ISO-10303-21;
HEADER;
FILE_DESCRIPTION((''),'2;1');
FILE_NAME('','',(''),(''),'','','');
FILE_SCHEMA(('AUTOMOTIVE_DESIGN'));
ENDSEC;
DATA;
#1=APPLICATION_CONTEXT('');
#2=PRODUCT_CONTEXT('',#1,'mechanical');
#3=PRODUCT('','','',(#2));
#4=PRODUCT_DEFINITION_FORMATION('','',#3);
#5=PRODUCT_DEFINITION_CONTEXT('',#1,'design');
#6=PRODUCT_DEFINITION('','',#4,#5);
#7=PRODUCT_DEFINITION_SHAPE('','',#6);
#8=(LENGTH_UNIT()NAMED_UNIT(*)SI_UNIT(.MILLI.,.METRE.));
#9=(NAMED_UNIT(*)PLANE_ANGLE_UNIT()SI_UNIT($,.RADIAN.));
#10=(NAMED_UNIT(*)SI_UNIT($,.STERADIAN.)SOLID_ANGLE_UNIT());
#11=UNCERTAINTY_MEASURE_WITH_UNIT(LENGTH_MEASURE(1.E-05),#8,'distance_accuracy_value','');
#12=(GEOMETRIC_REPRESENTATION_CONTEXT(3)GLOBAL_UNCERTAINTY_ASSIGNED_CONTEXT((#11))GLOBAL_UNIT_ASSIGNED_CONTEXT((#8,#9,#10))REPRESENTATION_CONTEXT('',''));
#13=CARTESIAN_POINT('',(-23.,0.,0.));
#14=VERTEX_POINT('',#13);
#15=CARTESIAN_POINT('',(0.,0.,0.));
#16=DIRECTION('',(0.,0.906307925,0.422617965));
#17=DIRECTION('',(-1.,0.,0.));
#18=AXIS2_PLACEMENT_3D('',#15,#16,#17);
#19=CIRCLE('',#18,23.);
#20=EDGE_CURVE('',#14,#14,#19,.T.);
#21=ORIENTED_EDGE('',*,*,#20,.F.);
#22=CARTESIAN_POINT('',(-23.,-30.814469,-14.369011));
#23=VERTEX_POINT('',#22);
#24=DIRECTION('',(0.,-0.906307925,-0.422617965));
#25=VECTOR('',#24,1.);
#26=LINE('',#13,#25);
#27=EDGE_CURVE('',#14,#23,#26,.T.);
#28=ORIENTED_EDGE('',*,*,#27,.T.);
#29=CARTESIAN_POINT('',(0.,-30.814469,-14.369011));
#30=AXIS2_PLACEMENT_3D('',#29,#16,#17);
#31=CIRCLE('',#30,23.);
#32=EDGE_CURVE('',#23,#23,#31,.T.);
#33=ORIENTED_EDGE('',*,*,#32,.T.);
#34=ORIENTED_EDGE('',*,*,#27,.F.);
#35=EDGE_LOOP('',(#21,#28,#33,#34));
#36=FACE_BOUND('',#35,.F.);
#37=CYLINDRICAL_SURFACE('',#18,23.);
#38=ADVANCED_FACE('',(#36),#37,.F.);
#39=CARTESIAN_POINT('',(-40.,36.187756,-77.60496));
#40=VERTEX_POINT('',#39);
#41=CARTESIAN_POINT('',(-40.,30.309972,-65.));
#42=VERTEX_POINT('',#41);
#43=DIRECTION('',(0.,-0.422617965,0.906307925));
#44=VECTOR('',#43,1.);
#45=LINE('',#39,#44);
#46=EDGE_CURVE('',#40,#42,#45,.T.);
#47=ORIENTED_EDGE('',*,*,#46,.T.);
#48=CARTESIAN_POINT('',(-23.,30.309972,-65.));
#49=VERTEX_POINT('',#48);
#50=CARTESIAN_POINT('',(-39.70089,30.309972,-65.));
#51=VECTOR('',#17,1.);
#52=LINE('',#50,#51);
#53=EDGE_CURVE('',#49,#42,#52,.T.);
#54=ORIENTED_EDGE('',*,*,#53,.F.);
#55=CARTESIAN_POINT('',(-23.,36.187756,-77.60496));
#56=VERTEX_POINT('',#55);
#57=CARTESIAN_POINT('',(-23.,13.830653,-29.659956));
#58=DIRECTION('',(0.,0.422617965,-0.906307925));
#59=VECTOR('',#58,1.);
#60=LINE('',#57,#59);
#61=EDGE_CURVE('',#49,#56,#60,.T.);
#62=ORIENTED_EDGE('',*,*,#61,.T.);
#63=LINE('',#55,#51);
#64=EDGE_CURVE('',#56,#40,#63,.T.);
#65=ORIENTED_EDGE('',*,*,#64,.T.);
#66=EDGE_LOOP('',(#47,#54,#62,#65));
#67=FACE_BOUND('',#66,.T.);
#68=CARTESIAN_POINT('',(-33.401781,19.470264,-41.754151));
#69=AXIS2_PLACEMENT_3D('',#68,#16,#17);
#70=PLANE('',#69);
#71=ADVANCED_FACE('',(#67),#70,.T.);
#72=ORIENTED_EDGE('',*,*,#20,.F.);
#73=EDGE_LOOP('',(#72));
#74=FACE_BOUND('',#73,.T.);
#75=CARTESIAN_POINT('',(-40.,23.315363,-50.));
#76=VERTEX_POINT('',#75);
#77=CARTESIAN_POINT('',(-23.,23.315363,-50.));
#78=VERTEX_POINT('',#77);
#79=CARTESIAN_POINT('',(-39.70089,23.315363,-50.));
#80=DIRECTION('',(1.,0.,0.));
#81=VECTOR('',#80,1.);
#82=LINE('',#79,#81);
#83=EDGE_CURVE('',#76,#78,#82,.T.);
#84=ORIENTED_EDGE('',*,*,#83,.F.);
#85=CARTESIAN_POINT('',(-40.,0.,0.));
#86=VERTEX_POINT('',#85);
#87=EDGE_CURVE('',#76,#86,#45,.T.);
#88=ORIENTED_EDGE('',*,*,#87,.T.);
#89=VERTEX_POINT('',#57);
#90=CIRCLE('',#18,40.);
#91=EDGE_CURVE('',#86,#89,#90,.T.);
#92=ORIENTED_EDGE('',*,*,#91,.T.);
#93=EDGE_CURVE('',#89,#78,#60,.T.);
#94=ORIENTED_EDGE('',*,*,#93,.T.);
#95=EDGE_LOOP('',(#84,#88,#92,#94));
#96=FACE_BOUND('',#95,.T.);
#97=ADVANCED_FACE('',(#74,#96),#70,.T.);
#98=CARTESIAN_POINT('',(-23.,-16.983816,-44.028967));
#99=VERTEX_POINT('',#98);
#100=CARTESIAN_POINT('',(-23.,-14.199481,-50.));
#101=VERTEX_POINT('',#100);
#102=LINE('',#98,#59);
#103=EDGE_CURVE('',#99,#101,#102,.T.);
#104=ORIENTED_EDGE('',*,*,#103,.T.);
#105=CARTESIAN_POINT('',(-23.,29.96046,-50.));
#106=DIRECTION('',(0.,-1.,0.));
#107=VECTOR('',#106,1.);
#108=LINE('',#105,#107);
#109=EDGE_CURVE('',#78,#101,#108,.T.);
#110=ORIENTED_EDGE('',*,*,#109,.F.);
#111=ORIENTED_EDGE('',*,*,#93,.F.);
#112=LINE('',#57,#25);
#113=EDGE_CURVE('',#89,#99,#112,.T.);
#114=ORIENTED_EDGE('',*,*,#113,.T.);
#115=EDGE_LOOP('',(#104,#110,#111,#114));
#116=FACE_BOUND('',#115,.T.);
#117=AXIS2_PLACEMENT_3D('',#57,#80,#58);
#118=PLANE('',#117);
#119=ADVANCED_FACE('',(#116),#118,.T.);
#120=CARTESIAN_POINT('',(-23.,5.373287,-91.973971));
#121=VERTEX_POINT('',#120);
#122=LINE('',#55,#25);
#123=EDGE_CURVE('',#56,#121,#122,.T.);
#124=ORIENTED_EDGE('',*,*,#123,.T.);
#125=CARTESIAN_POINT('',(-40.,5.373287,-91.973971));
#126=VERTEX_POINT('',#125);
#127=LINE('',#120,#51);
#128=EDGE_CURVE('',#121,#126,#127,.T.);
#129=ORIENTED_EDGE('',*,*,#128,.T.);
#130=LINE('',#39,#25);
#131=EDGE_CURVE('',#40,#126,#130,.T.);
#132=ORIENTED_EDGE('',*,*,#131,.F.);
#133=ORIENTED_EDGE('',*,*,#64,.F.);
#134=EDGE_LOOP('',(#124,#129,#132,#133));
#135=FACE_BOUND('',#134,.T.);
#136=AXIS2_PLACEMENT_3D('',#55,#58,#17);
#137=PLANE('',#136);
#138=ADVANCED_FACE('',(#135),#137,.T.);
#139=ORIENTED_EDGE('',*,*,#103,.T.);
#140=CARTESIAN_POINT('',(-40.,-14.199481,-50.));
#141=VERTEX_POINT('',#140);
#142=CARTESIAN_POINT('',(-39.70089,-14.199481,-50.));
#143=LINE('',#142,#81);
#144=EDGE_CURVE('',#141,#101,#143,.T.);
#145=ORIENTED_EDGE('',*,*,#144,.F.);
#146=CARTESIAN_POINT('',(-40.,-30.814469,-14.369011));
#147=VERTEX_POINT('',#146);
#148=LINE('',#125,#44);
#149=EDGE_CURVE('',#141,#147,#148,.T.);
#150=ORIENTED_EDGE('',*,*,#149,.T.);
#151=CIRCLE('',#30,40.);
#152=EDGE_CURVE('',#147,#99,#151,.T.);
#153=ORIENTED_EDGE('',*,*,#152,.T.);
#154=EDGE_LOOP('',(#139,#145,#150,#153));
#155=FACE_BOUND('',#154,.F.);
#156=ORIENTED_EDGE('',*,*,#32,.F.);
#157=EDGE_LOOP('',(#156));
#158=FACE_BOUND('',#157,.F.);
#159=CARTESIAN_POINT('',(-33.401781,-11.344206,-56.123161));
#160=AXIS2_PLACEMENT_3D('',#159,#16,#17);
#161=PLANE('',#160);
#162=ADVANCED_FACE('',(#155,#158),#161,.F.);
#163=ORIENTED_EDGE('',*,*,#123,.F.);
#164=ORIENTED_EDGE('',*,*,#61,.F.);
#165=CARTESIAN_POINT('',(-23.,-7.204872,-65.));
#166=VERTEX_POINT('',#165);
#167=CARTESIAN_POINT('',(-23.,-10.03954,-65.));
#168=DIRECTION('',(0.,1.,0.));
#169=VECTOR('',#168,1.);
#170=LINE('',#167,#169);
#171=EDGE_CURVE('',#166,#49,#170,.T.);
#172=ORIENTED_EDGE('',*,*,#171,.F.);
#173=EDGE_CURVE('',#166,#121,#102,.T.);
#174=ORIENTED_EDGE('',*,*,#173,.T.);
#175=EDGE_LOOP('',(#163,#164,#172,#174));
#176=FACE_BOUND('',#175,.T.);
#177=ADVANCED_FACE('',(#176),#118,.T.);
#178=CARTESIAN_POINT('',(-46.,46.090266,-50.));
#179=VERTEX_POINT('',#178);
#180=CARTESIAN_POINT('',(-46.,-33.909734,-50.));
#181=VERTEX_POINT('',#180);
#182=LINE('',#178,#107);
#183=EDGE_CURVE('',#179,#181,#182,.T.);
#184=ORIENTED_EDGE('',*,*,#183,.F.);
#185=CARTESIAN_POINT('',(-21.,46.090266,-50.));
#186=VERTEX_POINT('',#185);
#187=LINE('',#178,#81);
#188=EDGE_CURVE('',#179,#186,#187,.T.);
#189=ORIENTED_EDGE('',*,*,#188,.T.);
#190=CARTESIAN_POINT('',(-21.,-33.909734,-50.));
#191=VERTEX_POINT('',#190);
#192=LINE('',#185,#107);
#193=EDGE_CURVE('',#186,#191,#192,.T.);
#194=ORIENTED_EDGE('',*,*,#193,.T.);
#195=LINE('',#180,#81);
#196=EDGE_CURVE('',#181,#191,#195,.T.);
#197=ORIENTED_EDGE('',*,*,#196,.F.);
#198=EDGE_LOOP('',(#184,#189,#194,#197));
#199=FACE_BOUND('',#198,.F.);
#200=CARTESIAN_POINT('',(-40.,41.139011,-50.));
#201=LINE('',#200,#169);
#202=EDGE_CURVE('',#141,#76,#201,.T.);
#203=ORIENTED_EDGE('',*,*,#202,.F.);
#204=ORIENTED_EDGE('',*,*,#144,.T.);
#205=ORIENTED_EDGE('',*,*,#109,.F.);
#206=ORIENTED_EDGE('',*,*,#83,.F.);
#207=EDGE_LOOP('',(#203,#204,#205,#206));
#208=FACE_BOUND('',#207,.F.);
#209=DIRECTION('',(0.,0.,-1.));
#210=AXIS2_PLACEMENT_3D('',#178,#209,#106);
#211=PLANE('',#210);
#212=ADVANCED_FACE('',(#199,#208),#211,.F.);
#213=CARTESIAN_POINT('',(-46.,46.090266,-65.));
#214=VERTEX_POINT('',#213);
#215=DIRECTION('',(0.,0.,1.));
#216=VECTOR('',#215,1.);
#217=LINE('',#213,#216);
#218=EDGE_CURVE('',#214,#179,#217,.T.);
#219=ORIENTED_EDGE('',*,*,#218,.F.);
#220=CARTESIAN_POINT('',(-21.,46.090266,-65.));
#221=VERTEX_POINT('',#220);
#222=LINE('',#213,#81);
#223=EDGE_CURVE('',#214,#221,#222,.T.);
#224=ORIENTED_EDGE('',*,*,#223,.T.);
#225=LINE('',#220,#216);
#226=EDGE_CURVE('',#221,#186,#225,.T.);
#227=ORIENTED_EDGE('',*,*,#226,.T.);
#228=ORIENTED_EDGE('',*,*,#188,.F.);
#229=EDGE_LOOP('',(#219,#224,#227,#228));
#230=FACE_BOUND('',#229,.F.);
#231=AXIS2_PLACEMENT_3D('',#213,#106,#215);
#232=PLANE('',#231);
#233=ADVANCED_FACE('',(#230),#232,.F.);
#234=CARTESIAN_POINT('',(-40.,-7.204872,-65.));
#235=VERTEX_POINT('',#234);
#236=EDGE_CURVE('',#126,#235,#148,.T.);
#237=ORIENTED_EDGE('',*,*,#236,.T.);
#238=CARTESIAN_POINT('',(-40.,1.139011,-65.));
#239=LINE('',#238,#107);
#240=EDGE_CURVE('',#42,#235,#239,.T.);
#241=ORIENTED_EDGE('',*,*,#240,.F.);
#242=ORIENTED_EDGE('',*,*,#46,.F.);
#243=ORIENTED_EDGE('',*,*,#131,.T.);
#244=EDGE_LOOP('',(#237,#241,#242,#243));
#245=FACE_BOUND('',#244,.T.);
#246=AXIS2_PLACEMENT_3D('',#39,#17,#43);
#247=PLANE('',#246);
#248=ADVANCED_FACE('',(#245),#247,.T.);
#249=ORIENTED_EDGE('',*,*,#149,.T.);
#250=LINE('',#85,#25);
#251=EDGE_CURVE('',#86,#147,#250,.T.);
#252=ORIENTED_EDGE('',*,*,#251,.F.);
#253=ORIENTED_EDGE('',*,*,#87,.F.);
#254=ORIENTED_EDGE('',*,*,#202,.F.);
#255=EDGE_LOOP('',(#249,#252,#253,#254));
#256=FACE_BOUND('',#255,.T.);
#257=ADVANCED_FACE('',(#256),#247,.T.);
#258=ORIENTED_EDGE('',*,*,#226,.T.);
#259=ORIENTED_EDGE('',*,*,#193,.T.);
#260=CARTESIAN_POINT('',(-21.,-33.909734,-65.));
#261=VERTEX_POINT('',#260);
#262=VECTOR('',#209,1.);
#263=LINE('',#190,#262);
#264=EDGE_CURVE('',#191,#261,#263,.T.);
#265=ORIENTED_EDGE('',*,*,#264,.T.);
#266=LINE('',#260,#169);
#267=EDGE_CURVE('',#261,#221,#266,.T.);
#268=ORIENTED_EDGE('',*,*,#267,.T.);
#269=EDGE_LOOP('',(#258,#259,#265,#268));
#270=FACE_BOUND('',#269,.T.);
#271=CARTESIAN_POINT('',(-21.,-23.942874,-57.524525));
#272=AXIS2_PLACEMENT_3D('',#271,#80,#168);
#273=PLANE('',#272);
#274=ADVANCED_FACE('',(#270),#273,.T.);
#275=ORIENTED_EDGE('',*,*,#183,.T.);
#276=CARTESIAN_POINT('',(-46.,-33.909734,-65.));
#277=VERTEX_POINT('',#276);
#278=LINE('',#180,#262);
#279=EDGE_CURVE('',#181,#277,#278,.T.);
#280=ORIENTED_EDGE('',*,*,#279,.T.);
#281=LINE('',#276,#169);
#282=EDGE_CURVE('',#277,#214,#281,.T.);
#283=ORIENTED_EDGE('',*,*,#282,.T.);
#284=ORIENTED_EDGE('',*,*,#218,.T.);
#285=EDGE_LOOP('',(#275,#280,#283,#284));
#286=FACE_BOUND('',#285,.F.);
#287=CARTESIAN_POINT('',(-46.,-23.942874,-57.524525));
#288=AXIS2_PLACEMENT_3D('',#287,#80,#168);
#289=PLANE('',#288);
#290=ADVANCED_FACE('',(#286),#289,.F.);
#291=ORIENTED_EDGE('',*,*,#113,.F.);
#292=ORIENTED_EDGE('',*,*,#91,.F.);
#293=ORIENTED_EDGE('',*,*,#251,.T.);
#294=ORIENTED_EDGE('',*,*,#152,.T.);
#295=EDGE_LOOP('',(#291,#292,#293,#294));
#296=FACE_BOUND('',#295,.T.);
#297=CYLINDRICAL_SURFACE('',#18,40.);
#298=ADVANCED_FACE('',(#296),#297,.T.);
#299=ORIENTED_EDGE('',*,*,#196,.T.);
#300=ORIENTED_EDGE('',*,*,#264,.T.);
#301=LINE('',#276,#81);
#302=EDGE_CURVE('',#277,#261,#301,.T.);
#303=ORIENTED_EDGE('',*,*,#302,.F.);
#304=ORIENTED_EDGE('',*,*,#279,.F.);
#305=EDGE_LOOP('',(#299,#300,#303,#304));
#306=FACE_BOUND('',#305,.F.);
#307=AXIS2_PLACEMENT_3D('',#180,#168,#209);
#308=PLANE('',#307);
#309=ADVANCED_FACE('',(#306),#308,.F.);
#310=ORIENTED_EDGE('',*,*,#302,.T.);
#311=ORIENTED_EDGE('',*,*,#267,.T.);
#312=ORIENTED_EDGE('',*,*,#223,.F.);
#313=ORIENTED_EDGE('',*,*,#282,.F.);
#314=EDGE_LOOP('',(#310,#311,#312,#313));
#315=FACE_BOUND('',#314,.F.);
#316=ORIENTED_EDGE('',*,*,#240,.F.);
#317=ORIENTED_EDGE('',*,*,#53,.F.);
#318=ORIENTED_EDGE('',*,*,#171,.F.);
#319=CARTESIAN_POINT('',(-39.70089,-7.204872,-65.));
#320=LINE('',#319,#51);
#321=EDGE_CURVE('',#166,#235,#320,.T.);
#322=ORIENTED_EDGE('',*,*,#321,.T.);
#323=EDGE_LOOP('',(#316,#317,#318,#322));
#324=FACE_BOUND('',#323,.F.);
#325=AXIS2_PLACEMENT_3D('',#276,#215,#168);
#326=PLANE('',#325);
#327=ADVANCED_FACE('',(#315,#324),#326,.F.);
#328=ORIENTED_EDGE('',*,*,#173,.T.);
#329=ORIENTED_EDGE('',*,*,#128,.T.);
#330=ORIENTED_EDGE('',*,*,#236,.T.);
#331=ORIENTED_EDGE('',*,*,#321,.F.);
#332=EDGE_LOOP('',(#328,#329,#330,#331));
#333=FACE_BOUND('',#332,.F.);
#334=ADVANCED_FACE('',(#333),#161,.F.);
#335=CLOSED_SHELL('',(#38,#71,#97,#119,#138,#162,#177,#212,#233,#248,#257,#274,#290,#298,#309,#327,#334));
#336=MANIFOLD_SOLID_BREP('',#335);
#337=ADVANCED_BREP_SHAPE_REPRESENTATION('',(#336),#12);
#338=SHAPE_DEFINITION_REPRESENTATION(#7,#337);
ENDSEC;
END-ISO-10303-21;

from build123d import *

# Parameters (mm, degrees)
F2_R      = 40
F2_R_2    = 23
F4_DEPTH  = 34
F8_DEPTH  = 25
F10_DEPTH = 34


with BuildPart() as f4:
    # F2 (on face) → F4 (new body)
    with BuildSketch(Plane(origin=(0, 0, 0), x_dir=(-1, 0, 0), z_dir=(0, 0.906308, 0.422618))):
        Circle(F2_R)
        Circle(F2_R_2, mode=Mode.SUBTRACT)
    extrude(amount=-F4_DEPTH)



with BuildPart() as f8:
    # F7 (on offset) → F8 (new body)
    with BuildSketch(Plane.YZ.offset(-46)):
        Polygon((-14.199466, -50), (-33.909734, -50), (-33.909734, -65), (-13.909734, -65), (-13.909734, -50.621332), align=None)
        Polygon((-13.909734, -50.621332), (-13.909734, -65), (-7.204851, -65), align=None)
        Polygon((23.315383, -50), (-14.199466, -50), (-13.909734, -50.621332), (-7.204851, -65), (30.309998, -65), align=None)
        Polygon((46.090266, -50), (23.315383, -50), (30.309998, -65), (46.090266, -65), align=None)
    extrude(amount=F8_DEPTH)


with BuildPart() as f4_1:
    add(f4.part)

    add(f8.part)  # F10 merges F8
    # F9 (on face) → F10 (join, through all)
    with BuildSketch(Plane(origin=(0, 0, 0), x_dir=(-1, 0, 0), z_dir=(0, 0.906308, 0.422618))):
        with BuildLine():
            Line((40, -85.627586), (40, 0))
            ThreePointArc((40, 0), (35.496479, -18.439089), (23, -32.726136))
            Line((23, -32.726136), (23, -85.627586))
            Line((23, -85.627586), (40, -85.627586))
        make_face()
    extrude(amount=-F10_DEPTH)


solid = f4_1.part
